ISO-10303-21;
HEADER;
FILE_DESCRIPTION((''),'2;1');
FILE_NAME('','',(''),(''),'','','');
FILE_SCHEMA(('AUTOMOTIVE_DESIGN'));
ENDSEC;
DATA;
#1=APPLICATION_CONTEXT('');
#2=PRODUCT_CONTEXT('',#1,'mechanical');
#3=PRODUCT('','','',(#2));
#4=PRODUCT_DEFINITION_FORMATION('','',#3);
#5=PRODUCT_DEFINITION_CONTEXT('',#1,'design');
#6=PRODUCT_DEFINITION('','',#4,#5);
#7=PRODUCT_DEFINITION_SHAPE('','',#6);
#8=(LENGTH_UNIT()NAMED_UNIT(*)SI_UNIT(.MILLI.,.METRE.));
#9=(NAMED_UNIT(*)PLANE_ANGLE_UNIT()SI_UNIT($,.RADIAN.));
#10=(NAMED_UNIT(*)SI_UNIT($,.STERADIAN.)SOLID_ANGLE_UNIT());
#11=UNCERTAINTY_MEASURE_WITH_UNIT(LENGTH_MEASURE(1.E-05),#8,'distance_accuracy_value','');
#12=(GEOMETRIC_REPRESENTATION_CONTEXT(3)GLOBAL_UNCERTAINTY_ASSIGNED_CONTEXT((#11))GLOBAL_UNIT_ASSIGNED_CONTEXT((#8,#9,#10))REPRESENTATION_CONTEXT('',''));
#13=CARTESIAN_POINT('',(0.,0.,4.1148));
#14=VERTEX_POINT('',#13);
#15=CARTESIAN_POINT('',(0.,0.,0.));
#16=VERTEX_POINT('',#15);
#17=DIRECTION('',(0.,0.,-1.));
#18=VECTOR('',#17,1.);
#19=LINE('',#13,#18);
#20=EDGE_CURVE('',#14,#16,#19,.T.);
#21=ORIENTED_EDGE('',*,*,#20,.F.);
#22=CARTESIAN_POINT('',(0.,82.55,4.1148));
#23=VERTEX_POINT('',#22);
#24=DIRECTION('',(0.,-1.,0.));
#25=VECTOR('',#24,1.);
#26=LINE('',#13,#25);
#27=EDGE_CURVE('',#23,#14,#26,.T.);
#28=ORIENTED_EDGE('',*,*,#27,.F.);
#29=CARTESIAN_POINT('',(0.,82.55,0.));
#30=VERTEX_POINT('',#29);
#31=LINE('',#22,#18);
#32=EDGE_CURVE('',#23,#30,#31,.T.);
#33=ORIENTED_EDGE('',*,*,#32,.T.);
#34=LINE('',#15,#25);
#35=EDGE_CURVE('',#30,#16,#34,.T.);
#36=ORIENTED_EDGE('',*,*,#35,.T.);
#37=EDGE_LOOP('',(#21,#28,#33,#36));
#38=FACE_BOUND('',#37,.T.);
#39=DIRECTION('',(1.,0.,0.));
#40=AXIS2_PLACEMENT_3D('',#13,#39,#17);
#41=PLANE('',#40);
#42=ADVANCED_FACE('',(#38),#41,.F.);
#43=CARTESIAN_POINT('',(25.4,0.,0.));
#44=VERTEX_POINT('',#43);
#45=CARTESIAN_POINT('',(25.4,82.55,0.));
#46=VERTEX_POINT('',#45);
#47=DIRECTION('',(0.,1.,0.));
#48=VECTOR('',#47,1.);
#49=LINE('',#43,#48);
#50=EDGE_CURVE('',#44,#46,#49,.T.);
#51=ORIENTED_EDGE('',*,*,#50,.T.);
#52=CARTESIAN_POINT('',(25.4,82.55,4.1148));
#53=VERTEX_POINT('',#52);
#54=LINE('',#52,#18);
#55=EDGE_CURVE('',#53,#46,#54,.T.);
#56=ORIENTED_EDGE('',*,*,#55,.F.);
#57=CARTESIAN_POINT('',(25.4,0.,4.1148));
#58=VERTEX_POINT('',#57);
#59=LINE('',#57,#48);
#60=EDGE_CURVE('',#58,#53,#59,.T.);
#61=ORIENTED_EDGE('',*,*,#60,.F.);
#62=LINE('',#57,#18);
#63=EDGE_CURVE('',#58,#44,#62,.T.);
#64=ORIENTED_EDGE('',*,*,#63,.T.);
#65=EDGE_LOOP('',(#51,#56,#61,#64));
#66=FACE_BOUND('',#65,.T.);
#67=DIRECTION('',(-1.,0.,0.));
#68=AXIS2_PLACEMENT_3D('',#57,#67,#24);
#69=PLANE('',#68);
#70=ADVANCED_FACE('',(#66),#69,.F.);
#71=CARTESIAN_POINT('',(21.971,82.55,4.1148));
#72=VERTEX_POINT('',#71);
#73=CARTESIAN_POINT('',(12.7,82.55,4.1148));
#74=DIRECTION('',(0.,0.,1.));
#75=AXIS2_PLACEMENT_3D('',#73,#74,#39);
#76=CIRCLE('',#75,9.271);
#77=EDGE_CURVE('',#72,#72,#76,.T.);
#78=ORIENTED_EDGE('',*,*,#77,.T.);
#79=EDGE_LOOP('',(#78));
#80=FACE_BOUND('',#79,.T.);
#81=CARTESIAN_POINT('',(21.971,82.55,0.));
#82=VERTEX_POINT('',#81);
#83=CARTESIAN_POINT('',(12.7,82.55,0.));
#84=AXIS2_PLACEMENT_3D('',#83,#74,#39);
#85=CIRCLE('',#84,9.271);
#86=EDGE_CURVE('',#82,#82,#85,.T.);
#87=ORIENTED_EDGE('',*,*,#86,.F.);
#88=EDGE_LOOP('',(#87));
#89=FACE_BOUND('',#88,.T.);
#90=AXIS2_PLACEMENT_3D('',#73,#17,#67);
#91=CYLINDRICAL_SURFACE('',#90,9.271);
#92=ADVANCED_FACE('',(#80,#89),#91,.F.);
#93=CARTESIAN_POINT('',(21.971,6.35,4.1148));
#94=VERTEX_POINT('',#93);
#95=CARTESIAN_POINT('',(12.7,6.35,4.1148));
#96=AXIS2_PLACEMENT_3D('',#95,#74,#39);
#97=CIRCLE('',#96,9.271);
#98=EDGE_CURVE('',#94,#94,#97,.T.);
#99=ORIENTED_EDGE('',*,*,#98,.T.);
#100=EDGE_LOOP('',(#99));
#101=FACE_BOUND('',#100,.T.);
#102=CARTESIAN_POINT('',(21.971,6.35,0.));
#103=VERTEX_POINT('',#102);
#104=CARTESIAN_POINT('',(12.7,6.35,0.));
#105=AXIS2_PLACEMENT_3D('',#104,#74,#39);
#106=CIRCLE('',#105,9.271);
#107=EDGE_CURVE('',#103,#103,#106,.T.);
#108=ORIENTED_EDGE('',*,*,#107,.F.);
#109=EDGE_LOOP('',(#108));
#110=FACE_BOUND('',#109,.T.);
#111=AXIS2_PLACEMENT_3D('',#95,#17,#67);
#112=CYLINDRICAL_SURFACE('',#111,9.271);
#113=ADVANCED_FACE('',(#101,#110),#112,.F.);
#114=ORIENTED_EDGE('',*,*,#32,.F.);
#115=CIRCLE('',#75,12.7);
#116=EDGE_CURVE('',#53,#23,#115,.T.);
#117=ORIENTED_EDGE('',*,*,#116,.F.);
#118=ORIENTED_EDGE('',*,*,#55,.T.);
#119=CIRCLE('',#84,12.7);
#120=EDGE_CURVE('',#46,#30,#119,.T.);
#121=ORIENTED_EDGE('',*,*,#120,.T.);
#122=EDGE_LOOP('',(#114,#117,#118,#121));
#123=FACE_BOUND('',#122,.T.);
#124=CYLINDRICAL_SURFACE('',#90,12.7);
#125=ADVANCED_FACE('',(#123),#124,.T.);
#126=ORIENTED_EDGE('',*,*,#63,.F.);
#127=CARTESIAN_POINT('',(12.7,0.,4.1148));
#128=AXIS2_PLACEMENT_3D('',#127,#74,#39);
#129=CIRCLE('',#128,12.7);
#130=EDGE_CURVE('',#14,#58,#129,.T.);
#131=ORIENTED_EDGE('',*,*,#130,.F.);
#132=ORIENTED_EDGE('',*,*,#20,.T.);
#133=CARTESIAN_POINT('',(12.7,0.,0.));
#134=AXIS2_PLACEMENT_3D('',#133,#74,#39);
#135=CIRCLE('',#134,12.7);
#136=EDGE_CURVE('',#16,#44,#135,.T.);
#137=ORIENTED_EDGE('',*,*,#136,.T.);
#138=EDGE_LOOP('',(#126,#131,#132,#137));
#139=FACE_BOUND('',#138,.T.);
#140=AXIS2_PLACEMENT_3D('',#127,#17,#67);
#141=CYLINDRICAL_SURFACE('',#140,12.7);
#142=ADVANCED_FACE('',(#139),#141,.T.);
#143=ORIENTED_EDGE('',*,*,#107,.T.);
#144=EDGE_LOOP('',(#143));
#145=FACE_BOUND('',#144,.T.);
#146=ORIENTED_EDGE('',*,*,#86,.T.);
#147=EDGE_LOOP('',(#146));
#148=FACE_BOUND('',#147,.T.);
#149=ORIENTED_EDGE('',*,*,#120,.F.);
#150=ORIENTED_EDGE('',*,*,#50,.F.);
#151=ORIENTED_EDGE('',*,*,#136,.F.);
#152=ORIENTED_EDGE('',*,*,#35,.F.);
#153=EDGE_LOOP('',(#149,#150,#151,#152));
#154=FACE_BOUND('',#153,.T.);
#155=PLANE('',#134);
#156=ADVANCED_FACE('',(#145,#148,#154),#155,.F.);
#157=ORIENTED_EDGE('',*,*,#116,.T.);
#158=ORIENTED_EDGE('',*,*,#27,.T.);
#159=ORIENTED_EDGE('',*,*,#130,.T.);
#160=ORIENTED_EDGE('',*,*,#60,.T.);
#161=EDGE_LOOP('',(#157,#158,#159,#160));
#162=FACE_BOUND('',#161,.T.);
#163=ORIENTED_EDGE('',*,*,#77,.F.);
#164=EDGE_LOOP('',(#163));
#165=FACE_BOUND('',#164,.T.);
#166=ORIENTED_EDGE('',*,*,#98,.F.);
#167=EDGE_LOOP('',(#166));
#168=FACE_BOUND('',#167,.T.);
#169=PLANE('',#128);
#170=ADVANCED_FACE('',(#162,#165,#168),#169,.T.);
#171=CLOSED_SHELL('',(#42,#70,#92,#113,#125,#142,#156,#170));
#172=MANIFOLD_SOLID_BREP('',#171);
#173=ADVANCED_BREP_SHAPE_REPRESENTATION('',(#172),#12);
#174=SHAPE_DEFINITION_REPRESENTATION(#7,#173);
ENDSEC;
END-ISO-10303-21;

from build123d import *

# Parameters (mm, degrees)
SKETCH1_R           = 9.271
BOSS_EXTRUDE1_DEPTH = 4.1148


with BuildPart() as part:
    # Sketch1 → Boss-Extrude1 (new body)
    with BuildSketch(Plane.XY):
        with BuildLine():
            Line((0, 0), (0, 82.55))
            ThreePointArc((0, 82.55), (12.7, 95.25), (25.4, 82.55))
            Line((25.4, 82.55), (25.4, 0))
            ThreePointArc((25.4, 0), (12.7, -12.7), (0, 0))
        make_face()
        with Locations((12.7, 82.55)):
            Circle(SKETCH1_R, mode=Mode.SUBTRACT)
        with Locations((12.7, 6.35)):
            Circle(SKETCH1_R, mode=Mode.SUBTRACT)
    extrude(amount=BOSS_EXTRUDE1_DEPTH)


solid = part.part
